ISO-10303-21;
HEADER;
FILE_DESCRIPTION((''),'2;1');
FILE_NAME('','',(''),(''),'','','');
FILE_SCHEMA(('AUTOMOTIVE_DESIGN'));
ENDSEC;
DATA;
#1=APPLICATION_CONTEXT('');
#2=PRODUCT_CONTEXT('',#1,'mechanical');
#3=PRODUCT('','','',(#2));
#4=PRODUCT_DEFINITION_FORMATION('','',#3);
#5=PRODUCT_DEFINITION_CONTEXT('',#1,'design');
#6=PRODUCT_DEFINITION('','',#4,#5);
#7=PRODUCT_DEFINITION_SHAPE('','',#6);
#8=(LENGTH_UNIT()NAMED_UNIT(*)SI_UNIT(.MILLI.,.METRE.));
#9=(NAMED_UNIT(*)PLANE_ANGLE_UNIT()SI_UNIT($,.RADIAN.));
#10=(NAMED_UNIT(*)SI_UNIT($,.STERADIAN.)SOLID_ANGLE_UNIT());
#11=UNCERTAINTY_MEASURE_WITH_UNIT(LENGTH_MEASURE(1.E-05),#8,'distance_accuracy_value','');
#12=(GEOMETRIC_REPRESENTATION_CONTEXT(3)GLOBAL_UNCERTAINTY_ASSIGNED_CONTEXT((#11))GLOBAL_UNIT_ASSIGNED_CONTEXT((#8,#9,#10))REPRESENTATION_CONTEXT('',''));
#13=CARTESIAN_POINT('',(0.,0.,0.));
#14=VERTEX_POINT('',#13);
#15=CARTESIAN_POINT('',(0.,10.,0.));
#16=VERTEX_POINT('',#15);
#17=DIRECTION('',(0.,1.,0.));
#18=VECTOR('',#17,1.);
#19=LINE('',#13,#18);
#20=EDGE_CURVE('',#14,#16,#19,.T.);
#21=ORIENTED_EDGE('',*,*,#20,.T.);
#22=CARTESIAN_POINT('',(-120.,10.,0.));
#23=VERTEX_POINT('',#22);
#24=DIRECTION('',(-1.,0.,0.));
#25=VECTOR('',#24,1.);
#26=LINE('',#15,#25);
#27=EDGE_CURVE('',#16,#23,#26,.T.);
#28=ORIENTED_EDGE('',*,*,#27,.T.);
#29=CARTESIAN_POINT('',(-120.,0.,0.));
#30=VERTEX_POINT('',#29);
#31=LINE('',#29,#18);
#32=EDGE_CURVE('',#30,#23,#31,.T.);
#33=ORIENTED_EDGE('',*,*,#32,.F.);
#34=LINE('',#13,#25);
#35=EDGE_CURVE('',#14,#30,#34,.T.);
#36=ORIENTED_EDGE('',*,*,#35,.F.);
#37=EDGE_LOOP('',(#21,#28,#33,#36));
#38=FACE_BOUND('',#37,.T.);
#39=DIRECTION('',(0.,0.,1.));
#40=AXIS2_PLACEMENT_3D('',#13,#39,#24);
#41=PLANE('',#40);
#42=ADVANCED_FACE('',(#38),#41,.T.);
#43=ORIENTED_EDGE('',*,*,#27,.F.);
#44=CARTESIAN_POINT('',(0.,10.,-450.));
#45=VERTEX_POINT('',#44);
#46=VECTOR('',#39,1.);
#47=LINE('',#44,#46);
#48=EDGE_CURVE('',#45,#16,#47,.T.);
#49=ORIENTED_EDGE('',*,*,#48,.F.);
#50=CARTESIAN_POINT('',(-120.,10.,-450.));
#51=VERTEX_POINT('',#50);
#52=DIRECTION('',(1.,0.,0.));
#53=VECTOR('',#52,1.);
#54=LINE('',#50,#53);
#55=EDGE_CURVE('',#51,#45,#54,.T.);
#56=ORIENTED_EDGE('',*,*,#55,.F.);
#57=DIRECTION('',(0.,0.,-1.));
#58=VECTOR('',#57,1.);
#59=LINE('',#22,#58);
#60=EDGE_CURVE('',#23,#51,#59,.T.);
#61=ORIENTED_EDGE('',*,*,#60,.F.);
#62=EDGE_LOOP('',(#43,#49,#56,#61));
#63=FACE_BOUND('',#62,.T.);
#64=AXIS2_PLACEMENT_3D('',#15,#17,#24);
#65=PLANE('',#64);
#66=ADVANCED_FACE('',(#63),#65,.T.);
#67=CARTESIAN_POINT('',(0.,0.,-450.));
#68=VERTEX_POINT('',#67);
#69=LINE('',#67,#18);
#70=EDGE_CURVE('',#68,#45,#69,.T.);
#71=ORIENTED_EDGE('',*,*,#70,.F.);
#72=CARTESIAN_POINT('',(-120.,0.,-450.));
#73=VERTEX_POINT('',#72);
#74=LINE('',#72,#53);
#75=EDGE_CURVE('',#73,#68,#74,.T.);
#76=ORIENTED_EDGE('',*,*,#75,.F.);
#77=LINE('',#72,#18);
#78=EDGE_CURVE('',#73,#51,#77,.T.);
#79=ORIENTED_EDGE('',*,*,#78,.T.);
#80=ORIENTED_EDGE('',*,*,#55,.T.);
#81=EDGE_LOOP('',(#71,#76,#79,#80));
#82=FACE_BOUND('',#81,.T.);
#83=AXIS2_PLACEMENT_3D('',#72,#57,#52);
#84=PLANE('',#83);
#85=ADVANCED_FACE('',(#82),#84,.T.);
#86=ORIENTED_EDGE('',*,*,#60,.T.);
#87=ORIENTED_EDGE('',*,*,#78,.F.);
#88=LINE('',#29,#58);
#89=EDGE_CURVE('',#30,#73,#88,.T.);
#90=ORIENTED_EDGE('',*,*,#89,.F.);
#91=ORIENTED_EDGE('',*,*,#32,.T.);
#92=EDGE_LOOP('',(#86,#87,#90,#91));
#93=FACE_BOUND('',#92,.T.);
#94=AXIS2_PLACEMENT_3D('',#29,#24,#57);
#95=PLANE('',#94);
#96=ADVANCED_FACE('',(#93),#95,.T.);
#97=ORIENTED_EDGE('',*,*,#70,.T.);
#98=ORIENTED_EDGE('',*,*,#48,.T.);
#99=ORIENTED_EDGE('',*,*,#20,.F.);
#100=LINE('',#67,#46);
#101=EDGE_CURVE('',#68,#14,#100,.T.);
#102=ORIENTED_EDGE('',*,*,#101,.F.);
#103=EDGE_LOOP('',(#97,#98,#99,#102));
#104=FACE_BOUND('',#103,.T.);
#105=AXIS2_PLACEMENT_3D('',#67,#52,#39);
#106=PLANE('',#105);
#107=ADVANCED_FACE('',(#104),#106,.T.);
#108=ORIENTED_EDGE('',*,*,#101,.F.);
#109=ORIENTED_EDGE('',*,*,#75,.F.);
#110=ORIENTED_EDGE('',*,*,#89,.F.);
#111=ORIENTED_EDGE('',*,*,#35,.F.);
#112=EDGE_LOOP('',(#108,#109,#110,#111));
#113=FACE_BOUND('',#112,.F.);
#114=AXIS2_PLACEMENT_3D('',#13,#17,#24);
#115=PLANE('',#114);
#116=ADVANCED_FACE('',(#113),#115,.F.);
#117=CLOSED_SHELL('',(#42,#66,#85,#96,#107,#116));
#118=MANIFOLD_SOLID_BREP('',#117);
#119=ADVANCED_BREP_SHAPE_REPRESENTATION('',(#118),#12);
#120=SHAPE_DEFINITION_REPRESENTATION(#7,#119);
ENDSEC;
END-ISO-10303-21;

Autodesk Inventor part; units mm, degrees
ref_plane "YZ Plane" through (0, 0, 0) normal (1, 0, 0) x (0, 1, 0)
ref_plane "XZ Plane" through (0, 0, 0) normal (0, 1, 0) x (-1, 0, 0)
ref_plane "XY Plane" through (0, 0, 0) normal (0, 0, 1) x (1, 0, 0)
sketch "Náčrt1" plane through (0, 0, 0) normal (0, 1, 0) x (-1, 0, 0)
  line L0 (0, 0) -> (120, 0)
  line L1 (120, 0) -> (120, -450)
  line L2 (120, -450) -> (0, -450)
  line L3 (0, -450) -> (0, 0)
  dimension "d0" = 450
  dimension "d1" = 120
extrude "Vysunutí1" add sketch "Náčrt1" along normal blind 10
properties part number "Zadni_strana"
